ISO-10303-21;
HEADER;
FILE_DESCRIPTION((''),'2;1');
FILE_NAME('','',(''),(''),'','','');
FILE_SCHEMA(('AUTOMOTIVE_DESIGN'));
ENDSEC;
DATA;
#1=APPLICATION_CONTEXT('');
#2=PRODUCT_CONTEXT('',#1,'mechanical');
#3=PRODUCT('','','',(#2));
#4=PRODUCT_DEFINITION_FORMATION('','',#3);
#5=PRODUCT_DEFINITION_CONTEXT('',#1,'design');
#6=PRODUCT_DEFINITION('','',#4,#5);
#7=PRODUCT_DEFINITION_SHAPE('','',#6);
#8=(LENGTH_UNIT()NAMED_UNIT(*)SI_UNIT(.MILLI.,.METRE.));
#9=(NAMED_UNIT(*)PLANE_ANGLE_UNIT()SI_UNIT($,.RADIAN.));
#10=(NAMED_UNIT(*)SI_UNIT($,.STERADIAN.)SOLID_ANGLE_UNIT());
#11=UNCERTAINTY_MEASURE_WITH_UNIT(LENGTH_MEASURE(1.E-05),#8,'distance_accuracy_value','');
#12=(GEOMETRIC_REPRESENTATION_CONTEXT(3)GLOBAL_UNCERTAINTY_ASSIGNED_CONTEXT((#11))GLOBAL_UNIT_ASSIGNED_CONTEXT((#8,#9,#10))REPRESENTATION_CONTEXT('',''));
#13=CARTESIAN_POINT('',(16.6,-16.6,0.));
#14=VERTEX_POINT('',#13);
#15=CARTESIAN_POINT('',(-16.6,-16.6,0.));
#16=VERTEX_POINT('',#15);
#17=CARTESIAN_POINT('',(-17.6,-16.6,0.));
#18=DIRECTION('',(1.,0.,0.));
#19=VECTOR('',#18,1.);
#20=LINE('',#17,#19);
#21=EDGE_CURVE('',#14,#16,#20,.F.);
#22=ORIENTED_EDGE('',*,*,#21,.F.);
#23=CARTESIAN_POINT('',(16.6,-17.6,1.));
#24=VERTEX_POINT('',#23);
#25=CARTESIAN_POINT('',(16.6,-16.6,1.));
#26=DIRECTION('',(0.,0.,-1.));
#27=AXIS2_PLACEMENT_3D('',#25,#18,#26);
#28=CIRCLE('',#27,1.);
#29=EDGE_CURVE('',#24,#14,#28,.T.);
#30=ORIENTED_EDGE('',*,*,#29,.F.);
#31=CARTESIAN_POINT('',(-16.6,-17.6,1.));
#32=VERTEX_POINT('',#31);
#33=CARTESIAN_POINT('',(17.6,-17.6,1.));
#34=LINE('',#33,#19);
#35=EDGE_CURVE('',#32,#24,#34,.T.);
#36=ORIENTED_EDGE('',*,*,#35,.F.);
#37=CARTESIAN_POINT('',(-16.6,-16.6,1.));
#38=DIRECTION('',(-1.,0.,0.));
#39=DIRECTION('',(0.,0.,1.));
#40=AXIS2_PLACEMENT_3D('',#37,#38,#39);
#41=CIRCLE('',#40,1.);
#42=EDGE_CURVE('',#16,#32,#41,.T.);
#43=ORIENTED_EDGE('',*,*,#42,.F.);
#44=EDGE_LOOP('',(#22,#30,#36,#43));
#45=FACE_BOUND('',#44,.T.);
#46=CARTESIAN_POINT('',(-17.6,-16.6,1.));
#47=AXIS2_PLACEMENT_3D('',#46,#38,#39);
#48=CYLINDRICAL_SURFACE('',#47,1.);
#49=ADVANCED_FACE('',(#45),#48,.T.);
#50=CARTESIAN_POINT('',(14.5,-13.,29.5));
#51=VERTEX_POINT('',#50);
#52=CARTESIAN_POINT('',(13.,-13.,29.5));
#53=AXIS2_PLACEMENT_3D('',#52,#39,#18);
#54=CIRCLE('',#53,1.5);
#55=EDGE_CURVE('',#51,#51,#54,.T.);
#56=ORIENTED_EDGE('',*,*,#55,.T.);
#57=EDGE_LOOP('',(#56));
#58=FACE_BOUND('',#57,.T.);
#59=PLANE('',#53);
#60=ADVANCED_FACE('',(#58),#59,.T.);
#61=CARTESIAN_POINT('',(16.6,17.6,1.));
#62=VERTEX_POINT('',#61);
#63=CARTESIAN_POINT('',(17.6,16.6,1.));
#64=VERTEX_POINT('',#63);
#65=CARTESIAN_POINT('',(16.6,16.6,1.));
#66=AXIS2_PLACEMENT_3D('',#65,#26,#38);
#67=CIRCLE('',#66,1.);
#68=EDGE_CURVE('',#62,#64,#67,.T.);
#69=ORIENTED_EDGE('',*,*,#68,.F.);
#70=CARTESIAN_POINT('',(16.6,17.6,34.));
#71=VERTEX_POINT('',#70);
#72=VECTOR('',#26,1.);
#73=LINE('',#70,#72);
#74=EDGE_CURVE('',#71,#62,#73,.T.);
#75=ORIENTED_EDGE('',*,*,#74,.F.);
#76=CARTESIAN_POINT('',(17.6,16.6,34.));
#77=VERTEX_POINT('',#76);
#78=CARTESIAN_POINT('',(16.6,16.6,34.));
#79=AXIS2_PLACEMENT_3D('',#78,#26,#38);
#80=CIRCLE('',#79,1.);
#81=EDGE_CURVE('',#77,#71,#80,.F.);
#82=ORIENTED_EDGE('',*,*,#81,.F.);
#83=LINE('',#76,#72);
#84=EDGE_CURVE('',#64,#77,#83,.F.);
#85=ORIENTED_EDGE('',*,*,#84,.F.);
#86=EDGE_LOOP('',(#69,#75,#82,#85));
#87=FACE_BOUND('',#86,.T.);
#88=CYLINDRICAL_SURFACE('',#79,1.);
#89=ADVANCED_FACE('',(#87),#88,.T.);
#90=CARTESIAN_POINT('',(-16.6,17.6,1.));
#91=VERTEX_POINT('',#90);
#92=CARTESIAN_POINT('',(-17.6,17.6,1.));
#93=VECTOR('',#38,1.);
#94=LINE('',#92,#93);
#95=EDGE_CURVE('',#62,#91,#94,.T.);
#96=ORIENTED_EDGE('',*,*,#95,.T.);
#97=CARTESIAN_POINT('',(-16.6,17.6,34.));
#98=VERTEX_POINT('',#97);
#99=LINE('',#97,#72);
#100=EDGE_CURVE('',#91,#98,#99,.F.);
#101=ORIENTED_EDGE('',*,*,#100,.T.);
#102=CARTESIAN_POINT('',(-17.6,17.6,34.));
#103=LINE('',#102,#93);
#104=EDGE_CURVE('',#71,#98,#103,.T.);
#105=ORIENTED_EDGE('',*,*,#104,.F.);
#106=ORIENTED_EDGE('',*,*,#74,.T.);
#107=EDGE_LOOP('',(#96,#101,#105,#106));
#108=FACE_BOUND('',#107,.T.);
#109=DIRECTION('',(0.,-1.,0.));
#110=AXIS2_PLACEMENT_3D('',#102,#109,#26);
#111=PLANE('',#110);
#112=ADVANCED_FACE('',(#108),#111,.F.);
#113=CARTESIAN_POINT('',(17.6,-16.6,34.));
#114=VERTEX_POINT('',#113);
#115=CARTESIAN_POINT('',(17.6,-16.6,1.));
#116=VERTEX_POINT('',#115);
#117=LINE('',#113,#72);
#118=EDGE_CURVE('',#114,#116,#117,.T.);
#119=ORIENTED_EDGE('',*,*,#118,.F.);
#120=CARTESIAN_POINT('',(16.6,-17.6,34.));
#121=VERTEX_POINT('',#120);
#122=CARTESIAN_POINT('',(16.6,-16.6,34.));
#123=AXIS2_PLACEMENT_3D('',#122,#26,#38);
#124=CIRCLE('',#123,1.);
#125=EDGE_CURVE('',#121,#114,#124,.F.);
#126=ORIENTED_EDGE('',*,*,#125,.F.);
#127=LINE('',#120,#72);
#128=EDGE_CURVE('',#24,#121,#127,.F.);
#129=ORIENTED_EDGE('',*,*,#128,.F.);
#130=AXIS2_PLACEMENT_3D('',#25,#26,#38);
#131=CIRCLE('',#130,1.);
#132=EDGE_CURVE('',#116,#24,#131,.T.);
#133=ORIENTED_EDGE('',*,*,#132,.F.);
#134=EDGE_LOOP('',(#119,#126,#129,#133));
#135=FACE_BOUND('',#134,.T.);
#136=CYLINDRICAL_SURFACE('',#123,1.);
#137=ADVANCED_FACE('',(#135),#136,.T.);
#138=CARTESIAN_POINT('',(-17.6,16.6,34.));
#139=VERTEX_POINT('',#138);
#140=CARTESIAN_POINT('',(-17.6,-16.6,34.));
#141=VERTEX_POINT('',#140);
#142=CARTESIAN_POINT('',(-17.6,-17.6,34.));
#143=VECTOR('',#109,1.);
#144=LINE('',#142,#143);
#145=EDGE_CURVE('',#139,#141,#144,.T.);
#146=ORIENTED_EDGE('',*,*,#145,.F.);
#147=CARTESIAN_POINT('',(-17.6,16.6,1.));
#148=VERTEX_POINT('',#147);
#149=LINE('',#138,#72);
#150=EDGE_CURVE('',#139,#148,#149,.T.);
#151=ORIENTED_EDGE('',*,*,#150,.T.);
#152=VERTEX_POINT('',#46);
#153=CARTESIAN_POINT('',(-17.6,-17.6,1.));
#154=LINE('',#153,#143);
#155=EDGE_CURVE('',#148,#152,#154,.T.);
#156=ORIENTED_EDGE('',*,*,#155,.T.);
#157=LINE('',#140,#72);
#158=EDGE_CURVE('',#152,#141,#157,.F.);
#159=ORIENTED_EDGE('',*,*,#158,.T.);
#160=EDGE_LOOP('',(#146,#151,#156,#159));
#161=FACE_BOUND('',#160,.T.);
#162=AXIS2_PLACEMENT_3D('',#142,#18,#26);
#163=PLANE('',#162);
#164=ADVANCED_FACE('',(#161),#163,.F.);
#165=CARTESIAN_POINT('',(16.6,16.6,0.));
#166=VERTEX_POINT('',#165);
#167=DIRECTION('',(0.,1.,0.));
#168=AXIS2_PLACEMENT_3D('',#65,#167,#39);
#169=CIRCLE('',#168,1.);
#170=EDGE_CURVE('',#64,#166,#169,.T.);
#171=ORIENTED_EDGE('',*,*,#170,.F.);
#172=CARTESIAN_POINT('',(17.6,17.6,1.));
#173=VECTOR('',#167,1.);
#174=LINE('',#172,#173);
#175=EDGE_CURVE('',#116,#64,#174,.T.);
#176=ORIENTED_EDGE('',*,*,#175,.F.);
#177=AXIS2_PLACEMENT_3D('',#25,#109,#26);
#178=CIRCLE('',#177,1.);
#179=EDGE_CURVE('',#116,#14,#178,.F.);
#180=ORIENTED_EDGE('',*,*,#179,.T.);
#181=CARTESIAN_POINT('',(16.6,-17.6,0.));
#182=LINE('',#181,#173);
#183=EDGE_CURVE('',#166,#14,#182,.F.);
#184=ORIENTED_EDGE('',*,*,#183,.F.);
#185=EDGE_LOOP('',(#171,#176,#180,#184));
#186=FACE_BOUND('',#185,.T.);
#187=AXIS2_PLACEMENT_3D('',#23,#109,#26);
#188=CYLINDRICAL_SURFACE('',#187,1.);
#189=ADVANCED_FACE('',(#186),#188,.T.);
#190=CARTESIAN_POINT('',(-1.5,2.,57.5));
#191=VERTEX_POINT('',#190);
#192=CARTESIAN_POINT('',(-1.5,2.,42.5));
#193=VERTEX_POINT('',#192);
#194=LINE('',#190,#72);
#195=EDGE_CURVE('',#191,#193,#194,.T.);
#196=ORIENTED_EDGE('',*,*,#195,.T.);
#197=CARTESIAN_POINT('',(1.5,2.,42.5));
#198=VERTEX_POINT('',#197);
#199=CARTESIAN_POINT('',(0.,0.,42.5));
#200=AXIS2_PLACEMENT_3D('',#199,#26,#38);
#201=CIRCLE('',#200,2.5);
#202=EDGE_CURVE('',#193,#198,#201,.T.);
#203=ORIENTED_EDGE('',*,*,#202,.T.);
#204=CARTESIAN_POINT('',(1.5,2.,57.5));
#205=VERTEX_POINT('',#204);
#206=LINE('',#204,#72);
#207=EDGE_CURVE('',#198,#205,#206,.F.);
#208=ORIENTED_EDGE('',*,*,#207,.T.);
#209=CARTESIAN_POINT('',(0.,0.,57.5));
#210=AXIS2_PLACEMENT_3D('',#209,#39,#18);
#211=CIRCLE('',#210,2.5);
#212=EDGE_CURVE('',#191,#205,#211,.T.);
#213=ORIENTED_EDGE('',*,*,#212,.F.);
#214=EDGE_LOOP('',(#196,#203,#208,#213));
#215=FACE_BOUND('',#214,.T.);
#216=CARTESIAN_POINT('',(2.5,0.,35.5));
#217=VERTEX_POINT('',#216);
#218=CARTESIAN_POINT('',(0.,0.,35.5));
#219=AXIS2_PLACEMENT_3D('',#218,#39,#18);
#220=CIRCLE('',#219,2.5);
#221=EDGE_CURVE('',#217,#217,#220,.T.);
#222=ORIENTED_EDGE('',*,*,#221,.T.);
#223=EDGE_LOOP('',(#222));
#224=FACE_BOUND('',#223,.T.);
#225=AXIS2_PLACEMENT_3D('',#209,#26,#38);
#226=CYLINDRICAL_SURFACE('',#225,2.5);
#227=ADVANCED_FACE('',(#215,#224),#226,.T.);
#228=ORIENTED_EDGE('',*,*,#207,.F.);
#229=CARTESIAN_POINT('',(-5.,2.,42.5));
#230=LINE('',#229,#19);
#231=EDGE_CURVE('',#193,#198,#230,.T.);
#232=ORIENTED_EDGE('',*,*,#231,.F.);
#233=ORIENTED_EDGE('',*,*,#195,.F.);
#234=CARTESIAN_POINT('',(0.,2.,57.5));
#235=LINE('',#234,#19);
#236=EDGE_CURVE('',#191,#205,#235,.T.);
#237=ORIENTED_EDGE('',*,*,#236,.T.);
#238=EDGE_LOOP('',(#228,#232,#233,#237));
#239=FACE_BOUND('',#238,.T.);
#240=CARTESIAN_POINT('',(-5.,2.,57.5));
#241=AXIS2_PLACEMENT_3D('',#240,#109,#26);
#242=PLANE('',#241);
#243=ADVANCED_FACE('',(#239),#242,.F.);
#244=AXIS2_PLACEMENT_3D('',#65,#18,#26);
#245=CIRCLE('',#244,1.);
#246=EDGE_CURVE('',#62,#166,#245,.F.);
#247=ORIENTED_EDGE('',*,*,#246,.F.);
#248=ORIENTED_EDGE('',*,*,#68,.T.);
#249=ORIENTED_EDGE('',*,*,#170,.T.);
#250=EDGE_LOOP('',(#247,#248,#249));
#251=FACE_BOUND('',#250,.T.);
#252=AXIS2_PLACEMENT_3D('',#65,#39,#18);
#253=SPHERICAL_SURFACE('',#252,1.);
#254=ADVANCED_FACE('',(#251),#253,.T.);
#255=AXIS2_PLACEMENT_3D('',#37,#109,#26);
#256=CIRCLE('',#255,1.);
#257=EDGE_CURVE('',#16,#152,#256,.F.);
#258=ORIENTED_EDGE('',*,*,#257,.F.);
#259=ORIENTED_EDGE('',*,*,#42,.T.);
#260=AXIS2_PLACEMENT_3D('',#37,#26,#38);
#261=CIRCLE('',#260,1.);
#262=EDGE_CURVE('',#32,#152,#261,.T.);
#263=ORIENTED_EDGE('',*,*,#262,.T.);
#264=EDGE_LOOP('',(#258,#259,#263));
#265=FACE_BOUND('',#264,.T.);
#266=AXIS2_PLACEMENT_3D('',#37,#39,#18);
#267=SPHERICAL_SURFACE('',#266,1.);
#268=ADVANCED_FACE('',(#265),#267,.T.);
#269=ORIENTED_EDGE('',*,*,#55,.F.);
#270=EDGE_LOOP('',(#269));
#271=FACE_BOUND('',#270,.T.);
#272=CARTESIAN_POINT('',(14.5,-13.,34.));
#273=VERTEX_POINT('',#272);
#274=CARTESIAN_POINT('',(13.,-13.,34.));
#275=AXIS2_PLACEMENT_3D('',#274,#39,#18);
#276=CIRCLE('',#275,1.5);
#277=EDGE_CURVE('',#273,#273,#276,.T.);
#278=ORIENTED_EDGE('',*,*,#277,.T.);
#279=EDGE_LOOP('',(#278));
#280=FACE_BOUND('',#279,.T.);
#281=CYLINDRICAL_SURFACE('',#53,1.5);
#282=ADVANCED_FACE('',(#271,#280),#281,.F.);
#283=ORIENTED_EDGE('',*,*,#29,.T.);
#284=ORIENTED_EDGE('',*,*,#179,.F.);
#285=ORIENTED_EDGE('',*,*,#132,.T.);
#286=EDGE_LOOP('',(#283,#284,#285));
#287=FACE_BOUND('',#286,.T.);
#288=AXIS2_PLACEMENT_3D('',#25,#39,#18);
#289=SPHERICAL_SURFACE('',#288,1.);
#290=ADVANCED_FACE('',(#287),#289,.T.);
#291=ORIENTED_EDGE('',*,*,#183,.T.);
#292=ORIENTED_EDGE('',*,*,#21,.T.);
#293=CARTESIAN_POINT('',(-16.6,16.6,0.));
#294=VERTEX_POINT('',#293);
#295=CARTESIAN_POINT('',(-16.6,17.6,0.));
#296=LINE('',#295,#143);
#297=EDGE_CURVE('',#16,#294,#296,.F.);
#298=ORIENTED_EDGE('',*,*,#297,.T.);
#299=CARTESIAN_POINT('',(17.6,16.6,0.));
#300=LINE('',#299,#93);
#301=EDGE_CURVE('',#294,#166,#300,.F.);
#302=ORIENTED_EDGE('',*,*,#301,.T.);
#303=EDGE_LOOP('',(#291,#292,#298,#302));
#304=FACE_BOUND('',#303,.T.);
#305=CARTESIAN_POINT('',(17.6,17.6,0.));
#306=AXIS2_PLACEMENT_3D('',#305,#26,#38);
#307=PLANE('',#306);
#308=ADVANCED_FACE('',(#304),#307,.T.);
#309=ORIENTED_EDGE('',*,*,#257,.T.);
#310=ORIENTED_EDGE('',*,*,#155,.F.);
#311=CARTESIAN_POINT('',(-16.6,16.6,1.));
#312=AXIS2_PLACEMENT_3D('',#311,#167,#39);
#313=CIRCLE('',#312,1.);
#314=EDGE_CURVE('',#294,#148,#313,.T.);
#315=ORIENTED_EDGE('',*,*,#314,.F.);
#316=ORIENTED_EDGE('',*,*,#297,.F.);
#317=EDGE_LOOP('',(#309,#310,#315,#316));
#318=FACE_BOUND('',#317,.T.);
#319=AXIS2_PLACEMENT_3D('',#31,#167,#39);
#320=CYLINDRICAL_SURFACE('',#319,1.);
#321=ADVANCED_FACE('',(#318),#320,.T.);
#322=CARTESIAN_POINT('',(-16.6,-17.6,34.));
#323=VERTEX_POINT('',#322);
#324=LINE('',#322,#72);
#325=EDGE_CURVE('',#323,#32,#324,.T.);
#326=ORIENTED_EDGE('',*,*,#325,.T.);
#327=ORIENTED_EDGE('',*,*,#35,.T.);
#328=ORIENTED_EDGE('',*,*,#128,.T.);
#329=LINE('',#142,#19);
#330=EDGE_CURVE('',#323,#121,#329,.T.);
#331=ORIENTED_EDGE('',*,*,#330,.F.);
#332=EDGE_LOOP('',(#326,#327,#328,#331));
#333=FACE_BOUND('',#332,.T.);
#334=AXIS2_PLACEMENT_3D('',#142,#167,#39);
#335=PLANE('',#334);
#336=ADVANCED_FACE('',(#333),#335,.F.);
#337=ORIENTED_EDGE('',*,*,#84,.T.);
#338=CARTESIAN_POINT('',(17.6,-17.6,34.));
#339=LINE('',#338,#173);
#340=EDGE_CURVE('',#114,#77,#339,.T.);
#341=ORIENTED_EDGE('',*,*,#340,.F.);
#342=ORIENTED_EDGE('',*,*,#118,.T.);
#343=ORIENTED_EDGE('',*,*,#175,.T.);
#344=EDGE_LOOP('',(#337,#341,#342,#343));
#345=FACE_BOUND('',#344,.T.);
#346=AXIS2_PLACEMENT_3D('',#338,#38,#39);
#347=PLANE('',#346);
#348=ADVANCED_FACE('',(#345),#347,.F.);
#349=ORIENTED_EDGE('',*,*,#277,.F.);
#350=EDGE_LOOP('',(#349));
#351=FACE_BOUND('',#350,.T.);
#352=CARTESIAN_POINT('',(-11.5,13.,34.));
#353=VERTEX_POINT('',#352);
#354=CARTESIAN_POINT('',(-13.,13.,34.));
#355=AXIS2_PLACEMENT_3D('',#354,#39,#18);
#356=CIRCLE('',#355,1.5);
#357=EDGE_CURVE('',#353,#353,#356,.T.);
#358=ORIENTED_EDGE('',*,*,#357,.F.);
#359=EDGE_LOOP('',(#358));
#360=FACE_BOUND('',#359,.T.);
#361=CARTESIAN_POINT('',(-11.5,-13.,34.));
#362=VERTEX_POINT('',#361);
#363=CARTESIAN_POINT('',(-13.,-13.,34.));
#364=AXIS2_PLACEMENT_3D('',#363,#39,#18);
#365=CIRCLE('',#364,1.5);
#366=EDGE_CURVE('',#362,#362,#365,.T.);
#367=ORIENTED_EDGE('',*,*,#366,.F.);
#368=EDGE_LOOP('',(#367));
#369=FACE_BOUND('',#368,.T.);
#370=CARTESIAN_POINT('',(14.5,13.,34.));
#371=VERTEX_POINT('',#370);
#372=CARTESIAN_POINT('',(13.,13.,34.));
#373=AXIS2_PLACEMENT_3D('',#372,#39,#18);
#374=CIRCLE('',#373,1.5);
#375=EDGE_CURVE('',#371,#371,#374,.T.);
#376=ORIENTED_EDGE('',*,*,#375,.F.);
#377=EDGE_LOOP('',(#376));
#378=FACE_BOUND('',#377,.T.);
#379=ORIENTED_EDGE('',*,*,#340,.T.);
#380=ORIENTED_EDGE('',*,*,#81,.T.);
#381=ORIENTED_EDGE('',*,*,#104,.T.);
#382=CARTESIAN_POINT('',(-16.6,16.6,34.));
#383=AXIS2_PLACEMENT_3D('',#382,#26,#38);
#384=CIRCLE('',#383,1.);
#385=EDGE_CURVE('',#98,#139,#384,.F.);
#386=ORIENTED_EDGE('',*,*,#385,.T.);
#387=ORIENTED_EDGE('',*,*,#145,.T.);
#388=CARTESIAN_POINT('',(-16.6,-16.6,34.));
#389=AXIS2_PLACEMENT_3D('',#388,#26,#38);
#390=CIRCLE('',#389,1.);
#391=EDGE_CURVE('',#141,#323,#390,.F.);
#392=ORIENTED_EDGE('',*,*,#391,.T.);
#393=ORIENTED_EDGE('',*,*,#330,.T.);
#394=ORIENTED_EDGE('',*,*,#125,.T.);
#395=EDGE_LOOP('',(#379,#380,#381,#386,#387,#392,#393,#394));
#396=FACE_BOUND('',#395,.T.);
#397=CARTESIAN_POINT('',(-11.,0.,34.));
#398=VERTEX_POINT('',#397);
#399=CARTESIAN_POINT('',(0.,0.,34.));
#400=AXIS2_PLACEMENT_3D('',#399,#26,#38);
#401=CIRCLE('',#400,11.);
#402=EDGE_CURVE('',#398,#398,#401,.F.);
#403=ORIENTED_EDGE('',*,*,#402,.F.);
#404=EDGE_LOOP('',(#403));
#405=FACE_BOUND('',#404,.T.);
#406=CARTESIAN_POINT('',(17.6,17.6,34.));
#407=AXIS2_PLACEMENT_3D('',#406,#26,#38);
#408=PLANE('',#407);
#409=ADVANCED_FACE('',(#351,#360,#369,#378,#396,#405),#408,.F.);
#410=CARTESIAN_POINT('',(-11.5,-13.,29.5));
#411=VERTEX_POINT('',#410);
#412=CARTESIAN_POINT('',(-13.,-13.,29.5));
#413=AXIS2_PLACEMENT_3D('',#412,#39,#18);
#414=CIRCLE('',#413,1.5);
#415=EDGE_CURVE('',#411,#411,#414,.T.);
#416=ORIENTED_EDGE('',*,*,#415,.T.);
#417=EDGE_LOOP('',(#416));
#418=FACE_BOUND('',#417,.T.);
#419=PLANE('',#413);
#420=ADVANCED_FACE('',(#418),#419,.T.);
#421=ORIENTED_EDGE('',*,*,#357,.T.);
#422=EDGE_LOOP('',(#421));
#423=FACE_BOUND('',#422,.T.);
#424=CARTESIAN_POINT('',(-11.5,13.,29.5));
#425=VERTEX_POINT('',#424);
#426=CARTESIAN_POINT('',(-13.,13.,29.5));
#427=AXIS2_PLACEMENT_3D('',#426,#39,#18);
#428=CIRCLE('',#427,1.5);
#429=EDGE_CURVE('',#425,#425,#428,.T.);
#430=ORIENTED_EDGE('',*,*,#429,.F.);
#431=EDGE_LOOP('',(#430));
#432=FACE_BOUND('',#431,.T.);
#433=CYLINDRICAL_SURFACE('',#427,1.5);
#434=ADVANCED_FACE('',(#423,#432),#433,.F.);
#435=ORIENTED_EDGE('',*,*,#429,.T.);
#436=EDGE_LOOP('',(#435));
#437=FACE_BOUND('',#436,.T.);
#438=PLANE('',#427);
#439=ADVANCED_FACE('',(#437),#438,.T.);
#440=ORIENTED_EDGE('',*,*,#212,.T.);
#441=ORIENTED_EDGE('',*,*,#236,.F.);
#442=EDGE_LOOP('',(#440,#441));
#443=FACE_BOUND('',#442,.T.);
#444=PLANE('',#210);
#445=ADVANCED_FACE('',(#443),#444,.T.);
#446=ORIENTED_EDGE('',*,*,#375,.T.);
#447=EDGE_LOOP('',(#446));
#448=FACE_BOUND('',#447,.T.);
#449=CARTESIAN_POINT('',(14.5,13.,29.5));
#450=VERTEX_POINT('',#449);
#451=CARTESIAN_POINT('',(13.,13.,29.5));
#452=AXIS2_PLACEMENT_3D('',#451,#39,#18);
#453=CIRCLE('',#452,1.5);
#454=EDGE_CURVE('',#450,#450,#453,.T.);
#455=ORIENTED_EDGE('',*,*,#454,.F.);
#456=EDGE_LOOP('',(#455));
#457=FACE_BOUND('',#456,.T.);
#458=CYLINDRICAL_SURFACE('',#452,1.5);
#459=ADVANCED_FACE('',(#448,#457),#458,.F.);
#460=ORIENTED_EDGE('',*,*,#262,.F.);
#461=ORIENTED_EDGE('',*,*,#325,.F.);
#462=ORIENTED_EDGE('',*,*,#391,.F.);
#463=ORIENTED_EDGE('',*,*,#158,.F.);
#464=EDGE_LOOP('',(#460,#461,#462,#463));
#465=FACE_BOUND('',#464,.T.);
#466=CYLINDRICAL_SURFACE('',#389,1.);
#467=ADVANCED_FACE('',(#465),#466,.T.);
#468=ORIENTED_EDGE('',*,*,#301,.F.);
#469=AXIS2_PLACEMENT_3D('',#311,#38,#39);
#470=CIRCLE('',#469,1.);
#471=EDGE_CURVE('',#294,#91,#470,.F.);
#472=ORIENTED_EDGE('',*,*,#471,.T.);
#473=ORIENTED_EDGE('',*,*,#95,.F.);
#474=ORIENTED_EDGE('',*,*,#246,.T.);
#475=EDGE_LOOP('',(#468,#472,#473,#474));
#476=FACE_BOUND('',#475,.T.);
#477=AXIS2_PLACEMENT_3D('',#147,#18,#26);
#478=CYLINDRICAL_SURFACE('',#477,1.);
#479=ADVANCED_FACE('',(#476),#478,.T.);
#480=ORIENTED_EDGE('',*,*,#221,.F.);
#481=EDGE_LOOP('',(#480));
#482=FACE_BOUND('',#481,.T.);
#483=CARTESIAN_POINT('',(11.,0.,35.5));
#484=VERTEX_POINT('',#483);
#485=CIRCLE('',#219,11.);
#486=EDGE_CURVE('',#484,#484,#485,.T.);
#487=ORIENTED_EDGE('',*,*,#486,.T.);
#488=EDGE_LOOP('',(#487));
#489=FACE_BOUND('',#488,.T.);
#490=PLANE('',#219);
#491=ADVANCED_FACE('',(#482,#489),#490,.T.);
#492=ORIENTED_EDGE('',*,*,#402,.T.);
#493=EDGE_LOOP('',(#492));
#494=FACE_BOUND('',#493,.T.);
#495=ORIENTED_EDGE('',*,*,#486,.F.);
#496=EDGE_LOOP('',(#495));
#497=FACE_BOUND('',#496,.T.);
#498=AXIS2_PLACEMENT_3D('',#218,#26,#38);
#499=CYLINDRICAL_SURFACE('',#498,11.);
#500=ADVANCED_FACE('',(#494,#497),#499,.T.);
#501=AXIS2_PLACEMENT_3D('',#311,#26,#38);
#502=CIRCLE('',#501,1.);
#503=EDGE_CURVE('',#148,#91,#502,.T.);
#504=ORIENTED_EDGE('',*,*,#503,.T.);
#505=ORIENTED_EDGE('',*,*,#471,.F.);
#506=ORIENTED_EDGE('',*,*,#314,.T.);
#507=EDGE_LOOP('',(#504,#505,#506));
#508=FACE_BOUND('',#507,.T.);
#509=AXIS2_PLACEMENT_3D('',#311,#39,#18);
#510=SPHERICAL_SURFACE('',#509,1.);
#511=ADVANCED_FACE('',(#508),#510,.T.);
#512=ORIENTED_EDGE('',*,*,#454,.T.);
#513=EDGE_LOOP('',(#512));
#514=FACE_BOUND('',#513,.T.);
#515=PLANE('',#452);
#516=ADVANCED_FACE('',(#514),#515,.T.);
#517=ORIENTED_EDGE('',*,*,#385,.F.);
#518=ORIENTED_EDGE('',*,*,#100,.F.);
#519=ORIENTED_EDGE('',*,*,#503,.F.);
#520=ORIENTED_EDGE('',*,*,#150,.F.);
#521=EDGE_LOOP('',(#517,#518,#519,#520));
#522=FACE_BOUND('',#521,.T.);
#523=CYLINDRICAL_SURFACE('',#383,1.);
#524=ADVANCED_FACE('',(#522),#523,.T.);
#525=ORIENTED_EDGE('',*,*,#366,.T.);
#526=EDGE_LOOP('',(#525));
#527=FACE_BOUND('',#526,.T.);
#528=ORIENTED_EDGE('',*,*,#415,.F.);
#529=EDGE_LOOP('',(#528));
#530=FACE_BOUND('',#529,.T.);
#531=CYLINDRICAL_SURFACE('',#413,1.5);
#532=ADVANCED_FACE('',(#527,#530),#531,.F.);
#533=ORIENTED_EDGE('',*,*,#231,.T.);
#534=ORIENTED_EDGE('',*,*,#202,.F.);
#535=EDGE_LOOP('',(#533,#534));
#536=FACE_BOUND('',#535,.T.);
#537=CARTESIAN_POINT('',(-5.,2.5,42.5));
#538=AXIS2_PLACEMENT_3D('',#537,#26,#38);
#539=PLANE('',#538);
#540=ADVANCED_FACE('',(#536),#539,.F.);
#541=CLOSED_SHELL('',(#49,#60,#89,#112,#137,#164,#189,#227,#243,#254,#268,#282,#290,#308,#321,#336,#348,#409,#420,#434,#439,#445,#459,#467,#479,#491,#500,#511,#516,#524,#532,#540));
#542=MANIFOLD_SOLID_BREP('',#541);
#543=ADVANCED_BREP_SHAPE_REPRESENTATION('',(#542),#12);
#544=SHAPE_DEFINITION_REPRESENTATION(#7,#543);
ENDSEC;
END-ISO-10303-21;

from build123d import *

# Parameters (mm, degrees)
SKETCH1_W           = 35.2
SKETCH1_H           = 35.2
BOSS_EXTRUDE1_DEPTH = 34
SKETCH2_R           = 11
BOSS_EXTRUDE2_DEPTH = 1.5
SKETCH3_R           = 2.5
BOSS_EXTRUDE3_DEPTH = 22
SKETCH4_W           = 15
SKETCH4_H           = 0.5
CUT_EXTRUDE1_DEPTH  = 5
SKETCH5_R           = 1.5
CUT_EXTRUDE2_DEPTH  = 4.5
FILLET1_R           = 1


with BuildPart() as part:
    # Sketch1 → Boss-Extrude1 (new body)
    with BuildSketch(Plane.XY):
        Rectangle(SKETCH1_W, SKETCH1_H)
    extrude(amount=BOSS_EXTRUDE1_DEPTH)

    # Sketch2 → Boss-Extrude2 (add)
    with BuildSketch(Plane.XY.offset(34)):
        with Locations(Location((0, 0, 0), (0, 0, 180))):
            Circle(SKETCH2_R)
    extrude(amount=BOSS_EXTRUDE2_DEPTH)

    # Sketch3 → Boss-Extrude3 (add)
    with BuildSketch(Plane.XY.offset(35.5)):
        Circle(SKETCH3_R)
    extrude(amount=BOSS_EXTRUDE3_DEPTH)

    # Sketch4 → Cut-Extrude1 (cut, symmetric)
    with BuildSketch(Plane(origin=(0, 0, 0), x_dir=(0, 0, -1), z_dir=(1, 0, 0))):
        with Locations((-50, 2.25)):
            Rectangle(SKETCH4_W, SKETCH4_H)
    extrude(amount=CUT_EXTRUDE1_DEPTH, both=True, mode=Mode.SUBTRACT)

    # Sketch5 → Cut-Extrude2 (cut)
    with BuildSketch(Plane.XY.offset(34)):
        with Locations((-13, 13)):
            Circle(SKETCH5_R)
        with Locations((13, 13)):
            Circle(SKETCH5_R)
        with Locations((13, -13)):
            Circle(SKETCH5_R)
        with Locations((-13, -13)):
            Circle(SKETCH5_R)
    extrude(amount=-CUT_EXTRUDE2_DEPTH, mode=Mode.SUBTRACT)

    # Fillet1
    fillet1_edges = [part.edges().sort_by_distance(p)[0] for p in [
        (0, -17.6, 0),
        (-17.6, 0, 0),
        (0, 17.6, 0),
        (17.6, 0, 0),
        (17.6, -17.6, 17),
        (-17.6, -17.6, 17),
        (-17.6, 17.6, 17),
        (17.6, 17.6, 17),
    ]]
    fillet(fillet1_edges, radius=FILLET1_R)


solid = part.part
